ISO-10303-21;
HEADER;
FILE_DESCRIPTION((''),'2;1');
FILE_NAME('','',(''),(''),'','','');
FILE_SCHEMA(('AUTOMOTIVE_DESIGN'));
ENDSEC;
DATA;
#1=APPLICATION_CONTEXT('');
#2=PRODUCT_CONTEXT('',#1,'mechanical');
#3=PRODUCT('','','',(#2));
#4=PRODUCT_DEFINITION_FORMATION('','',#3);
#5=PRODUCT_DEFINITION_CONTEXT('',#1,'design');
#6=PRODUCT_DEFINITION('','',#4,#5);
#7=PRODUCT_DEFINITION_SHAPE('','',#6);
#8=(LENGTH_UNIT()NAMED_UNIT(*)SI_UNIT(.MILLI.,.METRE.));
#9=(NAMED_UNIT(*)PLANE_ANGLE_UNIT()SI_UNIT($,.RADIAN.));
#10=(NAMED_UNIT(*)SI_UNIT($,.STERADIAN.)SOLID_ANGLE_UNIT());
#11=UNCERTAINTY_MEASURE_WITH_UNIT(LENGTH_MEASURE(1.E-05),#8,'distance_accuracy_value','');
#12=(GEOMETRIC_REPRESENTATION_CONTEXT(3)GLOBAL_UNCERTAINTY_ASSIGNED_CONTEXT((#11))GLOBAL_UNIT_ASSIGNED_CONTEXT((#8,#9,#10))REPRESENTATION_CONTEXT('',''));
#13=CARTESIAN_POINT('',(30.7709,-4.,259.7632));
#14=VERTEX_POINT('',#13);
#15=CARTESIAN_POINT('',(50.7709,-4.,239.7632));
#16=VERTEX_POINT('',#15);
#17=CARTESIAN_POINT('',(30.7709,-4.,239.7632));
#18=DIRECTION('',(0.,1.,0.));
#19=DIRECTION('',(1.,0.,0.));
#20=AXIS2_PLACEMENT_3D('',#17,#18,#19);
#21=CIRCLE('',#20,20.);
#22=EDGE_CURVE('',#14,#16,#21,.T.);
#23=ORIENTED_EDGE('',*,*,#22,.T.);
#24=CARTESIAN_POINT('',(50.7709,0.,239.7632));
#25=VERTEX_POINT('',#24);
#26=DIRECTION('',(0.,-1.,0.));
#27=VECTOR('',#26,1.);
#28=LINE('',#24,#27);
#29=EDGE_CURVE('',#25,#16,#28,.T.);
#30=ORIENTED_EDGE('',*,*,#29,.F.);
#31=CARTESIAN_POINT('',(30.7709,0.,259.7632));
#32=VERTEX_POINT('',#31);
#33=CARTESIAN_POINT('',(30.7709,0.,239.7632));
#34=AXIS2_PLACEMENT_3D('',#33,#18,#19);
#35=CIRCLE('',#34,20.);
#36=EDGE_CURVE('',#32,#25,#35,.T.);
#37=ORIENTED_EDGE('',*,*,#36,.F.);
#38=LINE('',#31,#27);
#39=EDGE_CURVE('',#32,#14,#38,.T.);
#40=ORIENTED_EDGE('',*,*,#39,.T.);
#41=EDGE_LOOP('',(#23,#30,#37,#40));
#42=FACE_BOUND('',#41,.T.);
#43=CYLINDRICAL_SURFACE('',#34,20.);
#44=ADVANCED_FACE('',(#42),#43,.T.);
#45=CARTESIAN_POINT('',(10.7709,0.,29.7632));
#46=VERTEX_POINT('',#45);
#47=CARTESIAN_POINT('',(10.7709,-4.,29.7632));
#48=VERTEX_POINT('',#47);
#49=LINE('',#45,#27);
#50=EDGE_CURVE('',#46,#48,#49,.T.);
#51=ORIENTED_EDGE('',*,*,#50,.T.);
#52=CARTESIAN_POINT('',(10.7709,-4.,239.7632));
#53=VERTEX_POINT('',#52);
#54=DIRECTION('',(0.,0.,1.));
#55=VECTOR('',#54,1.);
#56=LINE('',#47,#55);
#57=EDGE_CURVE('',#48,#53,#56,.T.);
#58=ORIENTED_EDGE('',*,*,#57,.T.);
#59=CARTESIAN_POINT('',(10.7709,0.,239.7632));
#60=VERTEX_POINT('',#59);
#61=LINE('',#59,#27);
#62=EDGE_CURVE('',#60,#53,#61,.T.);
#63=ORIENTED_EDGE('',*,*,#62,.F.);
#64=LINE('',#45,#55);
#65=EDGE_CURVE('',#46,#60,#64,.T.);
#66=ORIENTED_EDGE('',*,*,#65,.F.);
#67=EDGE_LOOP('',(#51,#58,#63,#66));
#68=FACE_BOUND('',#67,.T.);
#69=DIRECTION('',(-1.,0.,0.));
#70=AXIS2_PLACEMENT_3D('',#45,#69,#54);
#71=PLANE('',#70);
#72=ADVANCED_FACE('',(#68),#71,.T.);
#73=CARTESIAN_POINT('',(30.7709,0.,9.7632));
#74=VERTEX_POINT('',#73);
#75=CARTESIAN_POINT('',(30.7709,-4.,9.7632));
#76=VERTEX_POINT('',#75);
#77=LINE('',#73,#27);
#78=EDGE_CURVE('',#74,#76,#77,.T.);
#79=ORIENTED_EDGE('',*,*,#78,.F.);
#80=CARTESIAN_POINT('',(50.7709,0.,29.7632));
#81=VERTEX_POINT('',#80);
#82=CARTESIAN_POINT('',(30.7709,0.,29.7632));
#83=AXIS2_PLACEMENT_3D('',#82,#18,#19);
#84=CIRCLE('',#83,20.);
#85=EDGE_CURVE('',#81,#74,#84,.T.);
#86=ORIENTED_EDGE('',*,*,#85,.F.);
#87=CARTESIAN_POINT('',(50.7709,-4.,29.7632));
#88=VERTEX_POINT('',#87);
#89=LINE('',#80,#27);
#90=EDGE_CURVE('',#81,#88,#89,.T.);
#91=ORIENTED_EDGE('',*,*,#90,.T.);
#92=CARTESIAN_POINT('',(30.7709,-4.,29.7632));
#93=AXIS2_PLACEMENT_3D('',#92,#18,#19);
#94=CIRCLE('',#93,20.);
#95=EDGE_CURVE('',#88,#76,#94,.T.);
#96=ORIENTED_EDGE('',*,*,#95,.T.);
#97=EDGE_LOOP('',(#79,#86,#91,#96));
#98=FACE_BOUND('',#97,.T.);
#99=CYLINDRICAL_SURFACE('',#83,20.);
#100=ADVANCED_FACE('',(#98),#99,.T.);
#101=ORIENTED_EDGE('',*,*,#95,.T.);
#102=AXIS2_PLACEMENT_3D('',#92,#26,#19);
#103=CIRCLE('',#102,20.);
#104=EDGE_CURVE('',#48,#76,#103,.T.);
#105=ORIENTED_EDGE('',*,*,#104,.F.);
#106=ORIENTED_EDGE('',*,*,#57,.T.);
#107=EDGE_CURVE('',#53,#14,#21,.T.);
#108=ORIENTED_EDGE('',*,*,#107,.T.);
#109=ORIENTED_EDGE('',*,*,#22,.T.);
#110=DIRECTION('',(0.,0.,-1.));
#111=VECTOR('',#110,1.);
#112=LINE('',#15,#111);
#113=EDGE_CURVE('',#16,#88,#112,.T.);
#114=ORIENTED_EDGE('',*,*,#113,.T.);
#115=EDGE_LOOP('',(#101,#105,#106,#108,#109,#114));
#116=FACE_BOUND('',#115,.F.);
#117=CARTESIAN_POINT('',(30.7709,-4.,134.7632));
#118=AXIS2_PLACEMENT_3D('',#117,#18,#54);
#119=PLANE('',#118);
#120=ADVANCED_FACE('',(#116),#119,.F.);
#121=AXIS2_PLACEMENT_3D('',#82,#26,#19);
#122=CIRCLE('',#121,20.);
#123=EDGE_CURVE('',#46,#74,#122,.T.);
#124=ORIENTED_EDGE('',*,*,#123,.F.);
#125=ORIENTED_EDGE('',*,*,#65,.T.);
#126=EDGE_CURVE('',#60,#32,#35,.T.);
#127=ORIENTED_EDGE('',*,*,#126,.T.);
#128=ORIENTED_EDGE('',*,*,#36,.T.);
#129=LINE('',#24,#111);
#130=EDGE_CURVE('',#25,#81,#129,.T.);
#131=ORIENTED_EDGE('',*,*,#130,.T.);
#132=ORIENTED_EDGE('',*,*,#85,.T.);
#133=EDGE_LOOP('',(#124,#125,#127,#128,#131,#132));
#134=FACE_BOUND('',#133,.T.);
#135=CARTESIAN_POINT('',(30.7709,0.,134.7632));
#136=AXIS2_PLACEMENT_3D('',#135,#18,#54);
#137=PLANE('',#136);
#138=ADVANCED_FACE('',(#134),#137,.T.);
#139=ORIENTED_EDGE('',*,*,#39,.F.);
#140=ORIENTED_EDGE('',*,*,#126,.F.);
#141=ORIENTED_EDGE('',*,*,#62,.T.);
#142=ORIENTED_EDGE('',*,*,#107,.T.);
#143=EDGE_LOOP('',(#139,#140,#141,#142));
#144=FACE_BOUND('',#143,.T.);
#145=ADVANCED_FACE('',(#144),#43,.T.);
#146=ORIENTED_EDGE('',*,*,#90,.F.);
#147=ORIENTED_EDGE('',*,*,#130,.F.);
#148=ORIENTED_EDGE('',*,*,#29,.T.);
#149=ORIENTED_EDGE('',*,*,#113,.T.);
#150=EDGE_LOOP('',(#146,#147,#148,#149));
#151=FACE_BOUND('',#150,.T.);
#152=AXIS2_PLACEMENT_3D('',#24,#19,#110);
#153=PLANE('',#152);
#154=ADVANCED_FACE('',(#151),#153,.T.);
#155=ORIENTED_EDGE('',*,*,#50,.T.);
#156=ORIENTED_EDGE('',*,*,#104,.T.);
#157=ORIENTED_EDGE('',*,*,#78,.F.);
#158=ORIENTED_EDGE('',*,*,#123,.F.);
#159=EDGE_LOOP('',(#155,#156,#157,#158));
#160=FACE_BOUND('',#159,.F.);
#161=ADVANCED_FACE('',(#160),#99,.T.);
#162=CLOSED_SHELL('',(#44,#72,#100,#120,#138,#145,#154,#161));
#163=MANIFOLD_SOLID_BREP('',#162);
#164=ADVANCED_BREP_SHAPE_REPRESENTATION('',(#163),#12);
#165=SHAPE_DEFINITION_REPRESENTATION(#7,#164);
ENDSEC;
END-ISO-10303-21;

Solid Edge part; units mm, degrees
sketch "Sketch1" plane through (0, 0, 0) normal (0, -1, 0) x (1, 0, 0)
  line L0 (50.7709, 239.7632) -> (50.7709, 29.7632)
  arc A0 (50.7709, 29.7632) -> (30.7709, 9.7632) centre (30.7709, 29.7632) cw
  arc A1 (10.7709, 29.7632) -> (30.7709, 9.7632) centre (30.7709, 29.7632) ccw
  line L1 (10.7709, 29.7632) -> (10.7709, 239.7632)
  arc A2 (10.7709, 239.7632) -> (30.7709, 259.7632) centre (30.7709, 239.7632) cw
  arc A3 (30.7709, 259.7632) -> (50.7709, 239.7632) centre (30.7709, 239.7632) cw
extrude "Protrusion1" add sketch "Sketch1" along normal blind 4
